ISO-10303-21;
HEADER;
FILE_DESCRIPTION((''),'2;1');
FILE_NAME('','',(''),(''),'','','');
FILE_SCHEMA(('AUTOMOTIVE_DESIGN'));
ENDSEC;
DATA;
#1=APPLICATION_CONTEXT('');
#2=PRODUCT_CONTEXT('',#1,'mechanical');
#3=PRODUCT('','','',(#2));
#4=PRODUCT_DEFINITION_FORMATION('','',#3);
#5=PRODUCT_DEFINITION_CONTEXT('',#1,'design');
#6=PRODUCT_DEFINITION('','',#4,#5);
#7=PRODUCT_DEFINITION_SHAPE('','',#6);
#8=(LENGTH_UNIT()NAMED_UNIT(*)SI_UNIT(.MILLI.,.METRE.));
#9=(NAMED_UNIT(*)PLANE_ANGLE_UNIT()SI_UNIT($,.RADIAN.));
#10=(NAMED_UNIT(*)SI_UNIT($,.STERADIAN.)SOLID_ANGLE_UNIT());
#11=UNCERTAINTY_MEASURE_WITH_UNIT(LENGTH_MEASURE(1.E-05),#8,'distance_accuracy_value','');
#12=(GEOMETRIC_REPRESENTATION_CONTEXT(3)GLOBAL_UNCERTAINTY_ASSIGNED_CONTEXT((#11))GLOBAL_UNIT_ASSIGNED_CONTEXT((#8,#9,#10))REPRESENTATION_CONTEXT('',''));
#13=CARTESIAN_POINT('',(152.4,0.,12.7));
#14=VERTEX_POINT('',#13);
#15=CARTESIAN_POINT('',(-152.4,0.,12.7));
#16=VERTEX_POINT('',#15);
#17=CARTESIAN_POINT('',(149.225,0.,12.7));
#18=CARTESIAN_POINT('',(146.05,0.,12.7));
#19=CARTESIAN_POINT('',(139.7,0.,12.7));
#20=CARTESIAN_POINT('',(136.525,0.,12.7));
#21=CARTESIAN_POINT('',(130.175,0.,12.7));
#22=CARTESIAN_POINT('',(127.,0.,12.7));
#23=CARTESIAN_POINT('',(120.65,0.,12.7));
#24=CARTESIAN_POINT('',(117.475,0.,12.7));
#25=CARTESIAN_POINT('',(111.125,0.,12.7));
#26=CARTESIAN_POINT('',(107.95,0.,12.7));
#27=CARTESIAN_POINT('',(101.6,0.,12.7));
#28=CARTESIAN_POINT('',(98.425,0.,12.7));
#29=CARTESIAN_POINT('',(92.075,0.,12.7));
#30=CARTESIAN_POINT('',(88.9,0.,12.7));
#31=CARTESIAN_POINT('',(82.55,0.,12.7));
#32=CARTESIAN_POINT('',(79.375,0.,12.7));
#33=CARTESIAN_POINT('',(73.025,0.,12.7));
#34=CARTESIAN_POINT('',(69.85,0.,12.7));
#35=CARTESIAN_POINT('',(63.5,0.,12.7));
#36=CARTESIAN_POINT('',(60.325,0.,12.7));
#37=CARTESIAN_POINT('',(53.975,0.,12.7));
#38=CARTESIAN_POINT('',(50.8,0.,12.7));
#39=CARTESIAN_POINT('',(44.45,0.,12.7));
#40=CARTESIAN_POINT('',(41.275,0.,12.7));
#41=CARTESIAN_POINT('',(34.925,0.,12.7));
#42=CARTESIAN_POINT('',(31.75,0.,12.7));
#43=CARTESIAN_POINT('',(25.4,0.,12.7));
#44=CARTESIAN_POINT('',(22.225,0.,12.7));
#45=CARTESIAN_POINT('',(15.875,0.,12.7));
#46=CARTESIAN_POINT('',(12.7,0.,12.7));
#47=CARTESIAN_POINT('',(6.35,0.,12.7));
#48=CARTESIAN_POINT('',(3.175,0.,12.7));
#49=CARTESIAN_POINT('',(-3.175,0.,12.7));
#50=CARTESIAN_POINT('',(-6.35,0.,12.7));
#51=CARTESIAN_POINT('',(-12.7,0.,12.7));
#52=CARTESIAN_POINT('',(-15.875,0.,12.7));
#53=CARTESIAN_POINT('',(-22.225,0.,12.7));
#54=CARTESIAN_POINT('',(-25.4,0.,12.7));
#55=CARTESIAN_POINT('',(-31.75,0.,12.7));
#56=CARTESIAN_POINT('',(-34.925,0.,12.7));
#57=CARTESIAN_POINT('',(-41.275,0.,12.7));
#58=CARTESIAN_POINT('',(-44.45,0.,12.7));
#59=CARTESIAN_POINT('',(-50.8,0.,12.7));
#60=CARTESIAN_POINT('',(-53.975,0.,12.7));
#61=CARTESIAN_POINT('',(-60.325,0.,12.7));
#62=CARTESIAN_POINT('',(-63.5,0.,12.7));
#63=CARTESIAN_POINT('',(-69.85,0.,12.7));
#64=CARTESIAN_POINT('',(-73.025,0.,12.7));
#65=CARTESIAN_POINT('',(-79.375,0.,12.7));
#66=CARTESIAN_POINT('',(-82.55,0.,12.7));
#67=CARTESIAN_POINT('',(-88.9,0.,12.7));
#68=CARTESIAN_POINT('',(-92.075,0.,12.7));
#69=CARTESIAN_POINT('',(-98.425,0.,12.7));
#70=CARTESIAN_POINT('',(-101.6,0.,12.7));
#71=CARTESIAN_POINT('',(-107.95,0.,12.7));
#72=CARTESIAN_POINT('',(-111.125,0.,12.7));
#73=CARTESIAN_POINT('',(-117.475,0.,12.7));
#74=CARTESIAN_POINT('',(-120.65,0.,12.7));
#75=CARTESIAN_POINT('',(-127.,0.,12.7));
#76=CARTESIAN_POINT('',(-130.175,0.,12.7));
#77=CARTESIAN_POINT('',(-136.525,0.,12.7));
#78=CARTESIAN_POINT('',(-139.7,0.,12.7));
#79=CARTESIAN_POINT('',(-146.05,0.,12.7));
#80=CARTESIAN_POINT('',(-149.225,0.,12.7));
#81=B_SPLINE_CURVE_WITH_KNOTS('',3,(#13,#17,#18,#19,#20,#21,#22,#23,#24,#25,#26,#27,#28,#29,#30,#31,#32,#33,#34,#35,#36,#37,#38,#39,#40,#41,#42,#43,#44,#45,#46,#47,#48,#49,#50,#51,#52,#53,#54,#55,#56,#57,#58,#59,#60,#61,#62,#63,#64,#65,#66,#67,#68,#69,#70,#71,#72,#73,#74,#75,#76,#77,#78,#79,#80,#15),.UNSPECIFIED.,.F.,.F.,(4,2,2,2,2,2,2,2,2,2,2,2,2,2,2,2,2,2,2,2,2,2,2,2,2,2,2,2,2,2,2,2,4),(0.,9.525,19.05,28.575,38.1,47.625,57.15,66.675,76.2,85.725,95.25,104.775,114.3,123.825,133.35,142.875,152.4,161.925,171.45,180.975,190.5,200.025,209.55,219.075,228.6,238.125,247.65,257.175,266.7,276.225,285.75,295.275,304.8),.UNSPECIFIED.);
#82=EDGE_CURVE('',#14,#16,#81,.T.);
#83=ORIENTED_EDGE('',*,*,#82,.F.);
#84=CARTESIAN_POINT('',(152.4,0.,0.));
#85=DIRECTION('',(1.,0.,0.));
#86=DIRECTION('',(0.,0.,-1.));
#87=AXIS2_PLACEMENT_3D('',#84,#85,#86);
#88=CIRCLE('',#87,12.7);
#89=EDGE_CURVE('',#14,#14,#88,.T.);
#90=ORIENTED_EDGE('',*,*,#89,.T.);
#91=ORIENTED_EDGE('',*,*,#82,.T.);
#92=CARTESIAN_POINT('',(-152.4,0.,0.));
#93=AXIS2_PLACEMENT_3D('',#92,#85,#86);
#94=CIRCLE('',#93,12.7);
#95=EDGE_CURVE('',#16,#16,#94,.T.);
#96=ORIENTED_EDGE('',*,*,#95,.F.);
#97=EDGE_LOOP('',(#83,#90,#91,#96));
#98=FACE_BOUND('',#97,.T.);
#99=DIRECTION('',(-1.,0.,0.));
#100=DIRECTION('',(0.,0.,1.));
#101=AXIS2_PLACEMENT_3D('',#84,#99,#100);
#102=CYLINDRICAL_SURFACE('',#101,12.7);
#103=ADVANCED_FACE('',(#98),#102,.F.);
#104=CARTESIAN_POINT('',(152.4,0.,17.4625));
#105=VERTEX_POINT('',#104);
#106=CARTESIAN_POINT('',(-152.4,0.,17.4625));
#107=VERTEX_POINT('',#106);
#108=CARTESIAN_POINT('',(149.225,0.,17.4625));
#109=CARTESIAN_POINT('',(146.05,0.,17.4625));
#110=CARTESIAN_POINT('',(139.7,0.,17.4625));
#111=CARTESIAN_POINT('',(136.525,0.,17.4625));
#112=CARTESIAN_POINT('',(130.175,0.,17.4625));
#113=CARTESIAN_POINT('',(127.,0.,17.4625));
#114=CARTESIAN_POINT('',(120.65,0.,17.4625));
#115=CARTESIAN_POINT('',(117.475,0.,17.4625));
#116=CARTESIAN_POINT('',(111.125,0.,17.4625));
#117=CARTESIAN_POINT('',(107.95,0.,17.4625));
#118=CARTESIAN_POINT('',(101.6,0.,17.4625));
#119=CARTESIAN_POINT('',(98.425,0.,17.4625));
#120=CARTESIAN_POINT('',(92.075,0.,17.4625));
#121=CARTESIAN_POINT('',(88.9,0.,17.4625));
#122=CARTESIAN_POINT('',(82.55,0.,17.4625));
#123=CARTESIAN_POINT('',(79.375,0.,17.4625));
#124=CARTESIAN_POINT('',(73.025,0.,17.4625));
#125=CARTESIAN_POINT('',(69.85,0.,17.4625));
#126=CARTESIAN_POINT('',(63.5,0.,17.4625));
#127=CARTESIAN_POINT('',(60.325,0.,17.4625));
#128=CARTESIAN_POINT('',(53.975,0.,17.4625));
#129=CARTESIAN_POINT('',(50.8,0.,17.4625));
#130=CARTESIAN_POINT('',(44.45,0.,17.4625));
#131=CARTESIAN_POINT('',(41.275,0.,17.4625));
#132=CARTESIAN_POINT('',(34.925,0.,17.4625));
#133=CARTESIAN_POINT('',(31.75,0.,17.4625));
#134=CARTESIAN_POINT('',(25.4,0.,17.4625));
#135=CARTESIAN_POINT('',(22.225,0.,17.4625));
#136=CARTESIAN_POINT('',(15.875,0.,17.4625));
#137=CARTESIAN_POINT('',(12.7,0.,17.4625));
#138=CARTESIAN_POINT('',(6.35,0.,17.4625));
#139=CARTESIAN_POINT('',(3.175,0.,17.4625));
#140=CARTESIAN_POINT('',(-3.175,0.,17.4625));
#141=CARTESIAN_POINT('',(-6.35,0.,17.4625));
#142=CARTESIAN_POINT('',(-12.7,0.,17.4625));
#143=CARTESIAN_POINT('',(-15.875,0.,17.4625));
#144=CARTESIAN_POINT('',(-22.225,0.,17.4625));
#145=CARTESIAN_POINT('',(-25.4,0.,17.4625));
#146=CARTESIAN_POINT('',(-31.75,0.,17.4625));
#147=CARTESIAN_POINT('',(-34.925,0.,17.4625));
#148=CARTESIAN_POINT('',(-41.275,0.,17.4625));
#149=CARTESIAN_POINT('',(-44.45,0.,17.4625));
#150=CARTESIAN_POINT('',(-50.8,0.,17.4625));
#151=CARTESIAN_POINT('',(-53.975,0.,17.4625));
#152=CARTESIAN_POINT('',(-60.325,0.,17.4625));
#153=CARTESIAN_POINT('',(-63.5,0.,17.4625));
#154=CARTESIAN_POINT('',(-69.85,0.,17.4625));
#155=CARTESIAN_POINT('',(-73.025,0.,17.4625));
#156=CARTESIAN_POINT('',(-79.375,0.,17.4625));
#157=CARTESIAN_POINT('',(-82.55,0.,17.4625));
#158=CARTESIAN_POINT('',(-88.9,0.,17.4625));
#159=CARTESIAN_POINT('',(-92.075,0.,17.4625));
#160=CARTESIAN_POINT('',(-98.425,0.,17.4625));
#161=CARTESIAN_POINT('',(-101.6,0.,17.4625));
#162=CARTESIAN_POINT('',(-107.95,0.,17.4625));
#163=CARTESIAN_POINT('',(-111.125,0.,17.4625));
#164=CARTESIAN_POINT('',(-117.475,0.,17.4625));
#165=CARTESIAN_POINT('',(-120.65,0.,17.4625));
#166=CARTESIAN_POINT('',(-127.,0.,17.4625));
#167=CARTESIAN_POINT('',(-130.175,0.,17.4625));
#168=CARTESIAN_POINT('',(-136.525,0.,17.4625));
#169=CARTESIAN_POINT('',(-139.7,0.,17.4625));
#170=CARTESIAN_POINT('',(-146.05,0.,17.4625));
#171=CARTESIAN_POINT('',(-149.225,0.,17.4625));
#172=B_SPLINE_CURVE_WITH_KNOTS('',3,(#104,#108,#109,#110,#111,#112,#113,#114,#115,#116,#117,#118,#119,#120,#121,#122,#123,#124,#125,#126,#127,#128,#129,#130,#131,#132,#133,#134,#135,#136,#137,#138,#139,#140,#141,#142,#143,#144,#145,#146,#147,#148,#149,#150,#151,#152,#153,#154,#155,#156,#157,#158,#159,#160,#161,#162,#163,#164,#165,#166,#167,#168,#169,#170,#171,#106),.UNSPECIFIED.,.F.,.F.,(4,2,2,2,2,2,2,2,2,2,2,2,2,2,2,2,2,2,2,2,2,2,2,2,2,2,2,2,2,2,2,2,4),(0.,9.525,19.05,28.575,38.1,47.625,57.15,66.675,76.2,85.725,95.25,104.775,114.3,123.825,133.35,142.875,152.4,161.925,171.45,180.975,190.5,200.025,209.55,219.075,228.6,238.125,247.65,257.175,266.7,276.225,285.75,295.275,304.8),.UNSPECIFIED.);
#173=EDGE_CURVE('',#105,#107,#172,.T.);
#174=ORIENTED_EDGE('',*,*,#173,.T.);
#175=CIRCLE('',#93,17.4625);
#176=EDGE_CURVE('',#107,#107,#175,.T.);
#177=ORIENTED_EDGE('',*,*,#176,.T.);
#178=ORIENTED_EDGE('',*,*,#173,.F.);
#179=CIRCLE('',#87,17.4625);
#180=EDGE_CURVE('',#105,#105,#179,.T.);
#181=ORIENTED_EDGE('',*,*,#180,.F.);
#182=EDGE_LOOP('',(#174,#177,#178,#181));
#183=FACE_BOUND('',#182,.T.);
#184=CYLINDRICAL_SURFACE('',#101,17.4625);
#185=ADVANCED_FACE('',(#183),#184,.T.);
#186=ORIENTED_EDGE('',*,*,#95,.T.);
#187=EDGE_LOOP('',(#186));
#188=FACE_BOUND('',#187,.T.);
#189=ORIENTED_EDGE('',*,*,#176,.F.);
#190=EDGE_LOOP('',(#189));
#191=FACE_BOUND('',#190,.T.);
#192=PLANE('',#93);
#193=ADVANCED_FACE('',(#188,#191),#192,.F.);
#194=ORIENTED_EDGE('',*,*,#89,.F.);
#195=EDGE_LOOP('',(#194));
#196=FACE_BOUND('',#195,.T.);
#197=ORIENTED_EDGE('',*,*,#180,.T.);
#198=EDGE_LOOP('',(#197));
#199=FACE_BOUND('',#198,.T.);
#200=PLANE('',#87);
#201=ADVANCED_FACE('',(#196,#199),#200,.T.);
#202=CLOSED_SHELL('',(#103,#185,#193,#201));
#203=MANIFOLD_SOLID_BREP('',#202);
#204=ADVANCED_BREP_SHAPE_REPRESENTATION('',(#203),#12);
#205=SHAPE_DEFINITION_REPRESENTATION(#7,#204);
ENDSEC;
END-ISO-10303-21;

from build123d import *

# Parameters (mm, degrees)
SKETCH1_R      = 17.4625
SKETCH1_R_2    = 12.7
EXTRUDE1_DEPTH = 152.4


with BuildPart() as part:
    # Sketch1 → Extrude1 (new, symmetric)
    with BuildSketch(Plane(origin=(0, 0, 0), x_dir=(0, 0, -1), z_dir=(1, 0, 0))):
        with Locations(Location((0, 0, 0), (0, 0, 180))):
            Circle(SKETCH1_R)
        with Locations(Location((0, 0, 0), (0, 0, 180))):
            Circle(SKETCH1_R_2, mode=Mode.SUBTRACT)
    extrude(amount=EXTRUDE1_DEPTH, both=True)


solid = part.part
